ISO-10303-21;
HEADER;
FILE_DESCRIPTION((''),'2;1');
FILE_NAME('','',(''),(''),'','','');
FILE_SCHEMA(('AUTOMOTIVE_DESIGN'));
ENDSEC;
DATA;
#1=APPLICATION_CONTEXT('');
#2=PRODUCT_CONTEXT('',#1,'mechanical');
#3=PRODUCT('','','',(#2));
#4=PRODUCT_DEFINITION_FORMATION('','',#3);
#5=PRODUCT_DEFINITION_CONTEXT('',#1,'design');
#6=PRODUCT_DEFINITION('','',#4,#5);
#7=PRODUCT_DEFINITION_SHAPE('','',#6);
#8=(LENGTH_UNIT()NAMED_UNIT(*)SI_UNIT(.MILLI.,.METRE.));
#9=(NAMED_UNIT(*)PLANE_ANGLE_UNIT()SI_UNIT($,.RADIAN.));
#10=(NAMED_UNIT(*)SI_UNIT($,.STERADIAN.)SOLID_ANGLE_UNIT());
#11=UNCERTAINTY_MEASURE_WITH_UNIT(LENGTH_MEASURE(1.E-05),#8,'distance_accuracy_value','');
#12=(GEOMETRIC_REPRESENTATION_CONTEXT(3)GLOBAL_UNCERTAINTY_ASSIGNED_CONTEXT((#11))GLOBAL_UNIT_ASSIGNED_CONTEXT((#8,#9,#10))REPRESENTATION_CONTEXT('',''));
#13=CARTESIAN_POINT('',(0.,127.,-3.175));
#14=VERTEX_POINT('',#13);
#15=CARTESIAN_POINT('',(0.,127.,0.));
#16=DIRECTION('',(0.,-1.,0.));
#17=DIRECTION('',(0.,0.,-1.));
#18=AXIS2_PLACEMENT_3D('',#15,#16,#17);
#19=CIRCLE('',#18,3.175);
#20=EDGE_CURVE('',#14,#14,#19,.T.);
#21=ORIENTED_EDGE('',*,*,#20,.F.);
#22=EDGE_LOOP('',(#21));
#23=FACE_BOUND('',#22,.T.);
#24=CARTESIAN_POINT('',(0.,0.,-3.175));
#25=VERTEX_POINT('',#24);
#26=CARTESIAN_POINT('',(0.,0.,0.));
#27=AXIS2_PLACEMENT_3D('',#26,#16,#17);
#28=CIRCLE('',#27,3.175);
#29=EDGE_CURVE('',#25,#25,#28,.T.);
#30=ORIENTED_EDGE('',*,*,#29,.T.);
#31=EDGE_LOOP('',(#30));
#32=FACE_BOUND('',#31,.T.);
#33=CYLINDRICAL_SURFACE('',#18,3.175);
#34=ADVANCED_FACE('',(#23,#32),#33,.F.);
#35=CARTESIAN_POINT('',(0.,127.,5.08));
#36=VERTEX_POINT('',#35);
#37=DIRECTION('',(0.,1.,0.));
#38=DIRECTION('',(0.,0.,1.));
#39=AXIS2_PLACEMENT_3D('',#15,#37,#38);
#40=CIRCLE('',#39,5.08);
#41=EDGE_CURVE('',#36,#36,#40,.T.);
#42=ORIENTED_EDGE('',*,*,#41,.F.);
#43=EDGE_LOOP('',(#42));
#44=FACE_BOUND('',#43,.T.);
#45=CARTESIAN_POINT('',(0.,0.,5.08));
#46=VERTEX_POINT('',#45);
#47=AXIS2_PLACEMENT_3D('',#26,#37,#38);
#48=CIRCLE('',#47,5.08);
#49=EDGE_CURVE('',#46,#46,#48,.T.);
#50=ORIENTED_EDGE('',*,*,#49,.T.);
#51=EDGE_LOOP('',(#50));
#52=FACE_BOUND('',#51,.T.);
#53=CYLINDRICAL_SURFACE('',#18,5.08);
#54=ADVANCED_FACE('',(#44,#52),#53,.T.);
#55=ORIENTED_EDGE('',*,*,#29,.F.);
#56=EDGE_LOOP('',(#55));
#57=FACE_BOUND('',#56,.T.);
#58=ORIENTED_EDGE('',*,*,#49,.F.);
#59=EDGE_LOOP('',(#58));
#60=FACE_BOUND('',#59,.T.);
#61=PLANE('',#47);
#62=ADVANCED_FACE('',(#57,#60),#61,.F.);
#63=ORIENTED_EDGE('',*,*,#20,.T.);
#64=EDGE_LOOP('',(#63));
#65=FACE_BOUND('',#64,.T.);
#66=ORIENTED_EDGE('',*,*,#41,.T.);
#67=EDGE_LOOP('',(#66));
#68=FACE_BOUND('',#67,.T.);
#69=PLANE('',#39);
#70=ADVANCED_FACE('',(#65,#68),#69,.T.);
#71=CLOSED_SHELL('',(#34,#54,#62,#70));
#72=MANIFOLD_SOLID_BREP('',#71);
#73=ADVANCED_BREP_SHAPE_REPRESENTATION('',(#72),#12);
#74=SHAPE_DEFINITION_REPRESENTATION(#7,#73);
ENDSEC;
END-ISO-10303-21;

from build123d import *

# Parameters (mm, degrees)
SKETCH1_R           = 5.08
BOSS_EXTRUDE1_DEPTH = 127
SKETCH2_R           = 3.175
CUT_EXTRUDE1_DEPTH  = 128


with BuildPart() as part:
    # Sketch1 → Boss-Extrude1 (new body)
    with BuildSketch(Plane(origin=(0, 0, 0), x_dir=(1, 0, 0), z_dir=(0, 1, 0))):
        Circle(SKETCH1_R)
    extrude(amount=BOSS_EXTRUDE1_DEPTH)

    # Sketch2 → Cut-Extrude1 (cut, through all)
    with BuildSketch(Plane.XZ):
        Circle(SKETCH2_R)
    extrude(amount=-CUT_EXTRUDE1_DEPTH, mode=Mode.SUBTRACT)


solid = part.part
